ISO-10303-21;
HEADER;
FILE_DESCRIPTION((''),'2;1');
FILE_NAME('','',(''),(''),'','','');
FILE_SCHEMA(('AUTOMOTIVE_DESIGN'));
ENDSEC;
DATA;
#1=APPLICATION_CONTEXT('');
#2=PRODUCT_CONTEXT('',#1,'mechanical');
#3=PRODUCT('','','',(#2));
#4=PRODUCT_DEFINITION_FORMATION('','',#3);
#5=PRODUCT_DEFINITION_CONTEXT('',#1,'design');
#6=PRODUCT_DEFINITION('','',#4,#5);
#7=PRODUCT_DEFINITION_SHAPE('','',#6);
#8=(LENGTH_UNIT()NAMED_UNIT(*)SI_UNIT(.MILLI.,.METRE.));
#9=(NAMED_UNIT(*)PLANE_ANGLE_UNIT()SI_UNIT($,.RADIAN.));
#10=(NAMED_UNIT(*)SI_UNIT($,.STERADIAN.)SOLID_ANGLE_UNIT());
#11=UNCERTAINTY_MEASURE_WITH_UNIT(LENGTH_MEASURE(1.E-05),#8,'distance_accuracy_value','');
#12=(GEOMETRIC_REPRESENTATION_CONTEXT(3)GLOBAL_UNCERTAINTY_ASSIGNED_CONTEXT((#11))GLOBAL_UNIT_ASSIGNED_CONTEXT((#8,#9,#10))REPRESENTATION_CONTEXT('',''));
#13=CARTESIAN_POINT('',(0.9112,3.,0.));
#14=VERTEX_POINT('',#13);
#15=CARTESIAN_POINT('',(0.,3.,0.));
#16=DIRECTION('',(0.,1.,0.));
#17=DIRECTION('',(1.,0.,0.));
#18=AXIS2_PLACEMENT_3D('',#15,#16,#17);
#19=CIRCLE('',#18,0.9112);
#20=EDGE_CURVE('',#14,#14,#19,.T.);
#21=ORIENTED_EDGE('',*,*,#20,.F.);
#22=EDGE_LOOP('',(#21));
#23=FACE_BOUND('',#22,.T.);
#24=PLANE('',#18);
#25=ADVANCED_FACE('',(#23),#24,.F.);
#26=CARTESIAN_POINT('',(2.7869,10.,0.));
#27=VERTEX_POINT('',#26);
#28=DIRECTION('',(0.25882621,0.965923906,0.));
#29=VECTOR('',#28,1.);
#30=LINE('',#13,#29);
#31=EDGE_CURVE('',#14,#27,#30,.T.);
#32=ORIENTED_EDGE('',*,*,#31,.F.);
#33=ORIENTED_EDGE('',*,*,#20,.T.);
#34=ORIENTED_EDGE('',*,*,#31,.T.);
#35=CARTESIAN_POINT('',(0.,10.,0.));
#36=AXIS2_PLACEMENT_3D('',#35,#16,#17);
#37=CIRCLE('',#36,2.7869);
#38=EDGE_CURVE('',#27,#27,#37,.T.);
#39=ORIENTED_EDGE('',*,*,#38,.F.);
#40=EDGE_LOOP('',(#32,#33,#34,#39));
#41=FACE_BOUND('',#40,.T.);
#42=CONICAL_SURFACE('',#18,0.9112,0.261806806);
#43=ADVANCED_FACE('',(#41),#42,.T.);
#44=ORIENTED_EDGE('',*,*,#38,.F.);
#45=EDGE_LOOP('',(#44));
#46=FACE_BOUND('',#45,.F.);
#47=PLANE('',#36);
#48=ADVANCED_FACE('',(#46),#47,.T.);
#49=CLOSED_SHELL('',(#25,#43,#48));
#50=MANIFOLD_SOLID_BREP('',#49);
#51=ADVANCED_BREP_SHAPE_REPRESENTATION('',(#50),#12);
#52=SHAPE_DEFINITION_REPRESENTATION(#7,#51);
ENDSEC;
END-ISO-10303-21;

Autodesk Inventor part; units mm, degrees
ref_plane "YZ Plane" through (0, 0, 0) normal (1, 0, 0) x (0, 1, 0)
ref_plane "XZ Plane" through (0, 0, 0) normal (0, 1, 0) x (-1, 0, 0)
ref_plane "XY Plane" through (0, 0, 0) normal (0, 0, 1) x (1, 0, 0)
sketch "Sketch1" plane through (0, 0, 0) normal (0, 0, 1) x (1, 0, 0)
  line L0 (0, 3) -> (0, 10)
  line L1 (0.9112, 3) -> (2.7869, 10)
  line L2 (0, 10) -> (2.7869, 10)
  line L3 (0, 3) -> (0.9112, 3)
  point P0 (0, 0)
  dimension "d0" = 10
  dimension "d1" = 15
  dimension "d3" = 7
revolve "Revolution1" add sketch "Sketch1" angle 360 about axis through (0, 3, 0) along (0, 1, 0)
properties part number "cone" material "Aluminum 6061"
